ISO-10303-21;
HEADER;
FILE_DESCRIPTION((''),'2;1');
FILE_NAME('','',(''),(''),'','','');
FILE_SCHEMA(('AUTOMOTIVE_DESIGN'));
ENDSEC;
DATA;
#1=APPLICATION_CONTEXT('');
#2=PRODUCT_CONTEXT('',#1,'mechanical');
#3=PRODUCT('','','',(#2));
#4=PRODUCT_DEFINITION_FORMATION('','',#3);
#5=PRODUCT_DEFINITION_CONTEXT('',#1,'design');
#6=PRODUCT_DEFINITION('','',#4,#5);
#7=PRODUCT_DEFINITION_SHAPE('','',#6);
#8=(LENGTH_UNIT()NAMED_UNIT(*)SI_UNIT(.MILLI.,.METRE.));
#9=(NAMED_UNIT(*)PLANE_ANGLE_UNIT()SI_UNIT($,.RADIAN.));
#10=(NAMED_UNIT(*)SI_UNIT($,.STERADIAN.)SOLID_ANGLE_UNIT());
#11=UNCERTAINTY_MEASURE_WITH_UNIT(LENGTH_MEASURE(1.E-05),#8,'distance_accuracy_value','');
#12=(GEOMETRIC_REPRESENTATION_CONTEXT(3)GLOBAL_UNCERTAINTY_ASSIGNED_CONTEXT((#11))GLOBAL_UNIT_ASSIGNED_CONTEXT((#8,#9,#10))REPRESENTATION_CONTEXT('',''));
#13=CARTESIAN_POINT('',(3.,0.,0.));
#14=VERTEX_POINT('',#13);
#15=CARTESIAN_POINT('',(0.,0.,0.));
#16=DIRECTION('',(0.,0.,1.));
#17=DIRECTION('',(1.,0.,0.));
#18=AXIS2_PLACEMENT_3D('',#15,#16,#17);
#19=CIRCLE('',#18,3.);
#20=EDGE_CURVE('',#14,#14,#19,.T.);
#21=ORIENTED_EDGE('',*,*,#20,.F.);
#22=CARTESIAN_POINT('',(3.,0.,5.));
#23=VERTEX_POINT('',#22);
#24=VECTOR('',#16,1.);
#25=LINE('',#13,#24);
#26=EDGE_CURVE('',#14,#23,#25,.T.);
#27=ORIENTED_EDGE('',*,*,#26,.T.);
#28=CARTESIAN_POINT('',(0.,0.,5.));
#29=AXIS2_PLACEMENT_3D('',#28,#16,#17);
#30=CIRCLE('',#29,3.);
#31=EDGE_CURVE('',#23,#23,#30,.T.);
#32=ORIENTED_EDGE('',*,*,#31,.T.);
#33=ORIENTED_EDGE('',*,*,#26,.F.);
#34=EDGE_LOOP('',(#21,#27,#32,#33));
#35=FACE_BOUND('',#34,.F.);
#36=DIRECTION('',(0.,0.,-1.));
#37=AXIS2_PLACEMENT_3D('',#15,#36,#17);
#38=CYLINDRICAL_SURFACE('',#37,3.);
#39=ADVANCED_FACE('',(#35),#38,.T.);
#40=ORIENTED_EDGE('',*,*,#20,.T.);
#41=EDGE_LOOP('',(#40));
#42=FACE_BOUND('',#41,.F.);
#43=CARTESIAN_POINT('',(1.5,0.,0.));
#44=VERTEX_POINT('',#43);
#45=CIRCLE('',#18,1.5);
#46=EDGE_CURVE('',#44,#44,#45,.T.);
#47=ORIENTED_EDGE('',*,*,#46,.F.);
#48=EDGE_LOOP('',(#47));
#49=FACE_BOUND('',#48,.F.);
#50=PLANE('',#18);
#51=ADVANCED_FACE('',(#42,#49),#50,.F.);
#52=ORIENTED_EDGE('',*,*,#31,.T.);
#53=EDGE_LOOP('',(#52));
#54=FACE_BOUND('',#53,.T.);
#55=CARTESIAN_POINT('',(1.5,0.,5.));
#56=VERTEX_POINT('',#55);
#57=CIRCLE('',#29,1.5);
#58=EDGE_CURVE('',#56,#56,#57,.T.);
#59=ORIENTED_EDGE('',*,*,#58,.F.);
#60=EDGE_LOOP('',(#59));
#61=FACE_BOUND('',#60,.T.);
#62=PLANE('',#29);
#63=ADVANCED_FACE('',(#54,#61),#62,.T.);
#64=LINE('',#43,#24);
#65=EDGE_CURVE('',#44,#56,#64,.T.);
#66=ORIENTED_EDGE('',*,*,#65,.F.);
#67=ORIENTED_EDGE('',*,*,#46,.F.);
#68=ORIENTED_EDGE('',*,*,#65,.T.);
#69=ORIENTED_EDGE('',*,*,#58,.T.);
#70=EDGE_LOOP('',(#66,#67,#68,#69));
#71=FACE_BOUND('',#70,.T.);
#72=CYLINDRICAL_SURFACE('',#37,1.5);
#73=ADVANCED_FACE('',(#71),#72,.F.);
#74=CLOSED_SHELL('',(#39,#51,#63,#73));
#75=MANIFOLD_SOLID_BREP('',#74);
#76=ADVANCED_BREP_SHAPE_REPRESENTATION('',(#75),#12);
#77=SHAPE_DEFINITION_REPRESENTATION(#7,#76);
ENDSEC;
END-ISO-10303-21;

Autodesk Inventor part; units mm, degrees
ref_plane "YZ Plane" through (0, 0, 0) normal (1, 0, 0) x (0, 1, 0)
ref_plane "XZ Plane" through (0, 0, 0) normal (0, 1, 0) x (-1, 0, 0)
ref_plane "XY Plane" through (0, 0, 0) normal (0, 0, 1) x (1, 0, 0)
sketch "スケッチ1" plane through (0, 0, 0) normal (0, 0, 1) x (1, 0, 0)
  circle A0 centre (0, 0) radius 3
  circle A1 centre (0, 0) radius 1.5
  dimension "d0" = 6
  dimension "d1" = 3
extrude "押し出し1" add sketch "スケッチ1" along normal blind 5
properties part number "スペーサーm3-5　簡易筒型" material "アルミニウム 2014-T4"
